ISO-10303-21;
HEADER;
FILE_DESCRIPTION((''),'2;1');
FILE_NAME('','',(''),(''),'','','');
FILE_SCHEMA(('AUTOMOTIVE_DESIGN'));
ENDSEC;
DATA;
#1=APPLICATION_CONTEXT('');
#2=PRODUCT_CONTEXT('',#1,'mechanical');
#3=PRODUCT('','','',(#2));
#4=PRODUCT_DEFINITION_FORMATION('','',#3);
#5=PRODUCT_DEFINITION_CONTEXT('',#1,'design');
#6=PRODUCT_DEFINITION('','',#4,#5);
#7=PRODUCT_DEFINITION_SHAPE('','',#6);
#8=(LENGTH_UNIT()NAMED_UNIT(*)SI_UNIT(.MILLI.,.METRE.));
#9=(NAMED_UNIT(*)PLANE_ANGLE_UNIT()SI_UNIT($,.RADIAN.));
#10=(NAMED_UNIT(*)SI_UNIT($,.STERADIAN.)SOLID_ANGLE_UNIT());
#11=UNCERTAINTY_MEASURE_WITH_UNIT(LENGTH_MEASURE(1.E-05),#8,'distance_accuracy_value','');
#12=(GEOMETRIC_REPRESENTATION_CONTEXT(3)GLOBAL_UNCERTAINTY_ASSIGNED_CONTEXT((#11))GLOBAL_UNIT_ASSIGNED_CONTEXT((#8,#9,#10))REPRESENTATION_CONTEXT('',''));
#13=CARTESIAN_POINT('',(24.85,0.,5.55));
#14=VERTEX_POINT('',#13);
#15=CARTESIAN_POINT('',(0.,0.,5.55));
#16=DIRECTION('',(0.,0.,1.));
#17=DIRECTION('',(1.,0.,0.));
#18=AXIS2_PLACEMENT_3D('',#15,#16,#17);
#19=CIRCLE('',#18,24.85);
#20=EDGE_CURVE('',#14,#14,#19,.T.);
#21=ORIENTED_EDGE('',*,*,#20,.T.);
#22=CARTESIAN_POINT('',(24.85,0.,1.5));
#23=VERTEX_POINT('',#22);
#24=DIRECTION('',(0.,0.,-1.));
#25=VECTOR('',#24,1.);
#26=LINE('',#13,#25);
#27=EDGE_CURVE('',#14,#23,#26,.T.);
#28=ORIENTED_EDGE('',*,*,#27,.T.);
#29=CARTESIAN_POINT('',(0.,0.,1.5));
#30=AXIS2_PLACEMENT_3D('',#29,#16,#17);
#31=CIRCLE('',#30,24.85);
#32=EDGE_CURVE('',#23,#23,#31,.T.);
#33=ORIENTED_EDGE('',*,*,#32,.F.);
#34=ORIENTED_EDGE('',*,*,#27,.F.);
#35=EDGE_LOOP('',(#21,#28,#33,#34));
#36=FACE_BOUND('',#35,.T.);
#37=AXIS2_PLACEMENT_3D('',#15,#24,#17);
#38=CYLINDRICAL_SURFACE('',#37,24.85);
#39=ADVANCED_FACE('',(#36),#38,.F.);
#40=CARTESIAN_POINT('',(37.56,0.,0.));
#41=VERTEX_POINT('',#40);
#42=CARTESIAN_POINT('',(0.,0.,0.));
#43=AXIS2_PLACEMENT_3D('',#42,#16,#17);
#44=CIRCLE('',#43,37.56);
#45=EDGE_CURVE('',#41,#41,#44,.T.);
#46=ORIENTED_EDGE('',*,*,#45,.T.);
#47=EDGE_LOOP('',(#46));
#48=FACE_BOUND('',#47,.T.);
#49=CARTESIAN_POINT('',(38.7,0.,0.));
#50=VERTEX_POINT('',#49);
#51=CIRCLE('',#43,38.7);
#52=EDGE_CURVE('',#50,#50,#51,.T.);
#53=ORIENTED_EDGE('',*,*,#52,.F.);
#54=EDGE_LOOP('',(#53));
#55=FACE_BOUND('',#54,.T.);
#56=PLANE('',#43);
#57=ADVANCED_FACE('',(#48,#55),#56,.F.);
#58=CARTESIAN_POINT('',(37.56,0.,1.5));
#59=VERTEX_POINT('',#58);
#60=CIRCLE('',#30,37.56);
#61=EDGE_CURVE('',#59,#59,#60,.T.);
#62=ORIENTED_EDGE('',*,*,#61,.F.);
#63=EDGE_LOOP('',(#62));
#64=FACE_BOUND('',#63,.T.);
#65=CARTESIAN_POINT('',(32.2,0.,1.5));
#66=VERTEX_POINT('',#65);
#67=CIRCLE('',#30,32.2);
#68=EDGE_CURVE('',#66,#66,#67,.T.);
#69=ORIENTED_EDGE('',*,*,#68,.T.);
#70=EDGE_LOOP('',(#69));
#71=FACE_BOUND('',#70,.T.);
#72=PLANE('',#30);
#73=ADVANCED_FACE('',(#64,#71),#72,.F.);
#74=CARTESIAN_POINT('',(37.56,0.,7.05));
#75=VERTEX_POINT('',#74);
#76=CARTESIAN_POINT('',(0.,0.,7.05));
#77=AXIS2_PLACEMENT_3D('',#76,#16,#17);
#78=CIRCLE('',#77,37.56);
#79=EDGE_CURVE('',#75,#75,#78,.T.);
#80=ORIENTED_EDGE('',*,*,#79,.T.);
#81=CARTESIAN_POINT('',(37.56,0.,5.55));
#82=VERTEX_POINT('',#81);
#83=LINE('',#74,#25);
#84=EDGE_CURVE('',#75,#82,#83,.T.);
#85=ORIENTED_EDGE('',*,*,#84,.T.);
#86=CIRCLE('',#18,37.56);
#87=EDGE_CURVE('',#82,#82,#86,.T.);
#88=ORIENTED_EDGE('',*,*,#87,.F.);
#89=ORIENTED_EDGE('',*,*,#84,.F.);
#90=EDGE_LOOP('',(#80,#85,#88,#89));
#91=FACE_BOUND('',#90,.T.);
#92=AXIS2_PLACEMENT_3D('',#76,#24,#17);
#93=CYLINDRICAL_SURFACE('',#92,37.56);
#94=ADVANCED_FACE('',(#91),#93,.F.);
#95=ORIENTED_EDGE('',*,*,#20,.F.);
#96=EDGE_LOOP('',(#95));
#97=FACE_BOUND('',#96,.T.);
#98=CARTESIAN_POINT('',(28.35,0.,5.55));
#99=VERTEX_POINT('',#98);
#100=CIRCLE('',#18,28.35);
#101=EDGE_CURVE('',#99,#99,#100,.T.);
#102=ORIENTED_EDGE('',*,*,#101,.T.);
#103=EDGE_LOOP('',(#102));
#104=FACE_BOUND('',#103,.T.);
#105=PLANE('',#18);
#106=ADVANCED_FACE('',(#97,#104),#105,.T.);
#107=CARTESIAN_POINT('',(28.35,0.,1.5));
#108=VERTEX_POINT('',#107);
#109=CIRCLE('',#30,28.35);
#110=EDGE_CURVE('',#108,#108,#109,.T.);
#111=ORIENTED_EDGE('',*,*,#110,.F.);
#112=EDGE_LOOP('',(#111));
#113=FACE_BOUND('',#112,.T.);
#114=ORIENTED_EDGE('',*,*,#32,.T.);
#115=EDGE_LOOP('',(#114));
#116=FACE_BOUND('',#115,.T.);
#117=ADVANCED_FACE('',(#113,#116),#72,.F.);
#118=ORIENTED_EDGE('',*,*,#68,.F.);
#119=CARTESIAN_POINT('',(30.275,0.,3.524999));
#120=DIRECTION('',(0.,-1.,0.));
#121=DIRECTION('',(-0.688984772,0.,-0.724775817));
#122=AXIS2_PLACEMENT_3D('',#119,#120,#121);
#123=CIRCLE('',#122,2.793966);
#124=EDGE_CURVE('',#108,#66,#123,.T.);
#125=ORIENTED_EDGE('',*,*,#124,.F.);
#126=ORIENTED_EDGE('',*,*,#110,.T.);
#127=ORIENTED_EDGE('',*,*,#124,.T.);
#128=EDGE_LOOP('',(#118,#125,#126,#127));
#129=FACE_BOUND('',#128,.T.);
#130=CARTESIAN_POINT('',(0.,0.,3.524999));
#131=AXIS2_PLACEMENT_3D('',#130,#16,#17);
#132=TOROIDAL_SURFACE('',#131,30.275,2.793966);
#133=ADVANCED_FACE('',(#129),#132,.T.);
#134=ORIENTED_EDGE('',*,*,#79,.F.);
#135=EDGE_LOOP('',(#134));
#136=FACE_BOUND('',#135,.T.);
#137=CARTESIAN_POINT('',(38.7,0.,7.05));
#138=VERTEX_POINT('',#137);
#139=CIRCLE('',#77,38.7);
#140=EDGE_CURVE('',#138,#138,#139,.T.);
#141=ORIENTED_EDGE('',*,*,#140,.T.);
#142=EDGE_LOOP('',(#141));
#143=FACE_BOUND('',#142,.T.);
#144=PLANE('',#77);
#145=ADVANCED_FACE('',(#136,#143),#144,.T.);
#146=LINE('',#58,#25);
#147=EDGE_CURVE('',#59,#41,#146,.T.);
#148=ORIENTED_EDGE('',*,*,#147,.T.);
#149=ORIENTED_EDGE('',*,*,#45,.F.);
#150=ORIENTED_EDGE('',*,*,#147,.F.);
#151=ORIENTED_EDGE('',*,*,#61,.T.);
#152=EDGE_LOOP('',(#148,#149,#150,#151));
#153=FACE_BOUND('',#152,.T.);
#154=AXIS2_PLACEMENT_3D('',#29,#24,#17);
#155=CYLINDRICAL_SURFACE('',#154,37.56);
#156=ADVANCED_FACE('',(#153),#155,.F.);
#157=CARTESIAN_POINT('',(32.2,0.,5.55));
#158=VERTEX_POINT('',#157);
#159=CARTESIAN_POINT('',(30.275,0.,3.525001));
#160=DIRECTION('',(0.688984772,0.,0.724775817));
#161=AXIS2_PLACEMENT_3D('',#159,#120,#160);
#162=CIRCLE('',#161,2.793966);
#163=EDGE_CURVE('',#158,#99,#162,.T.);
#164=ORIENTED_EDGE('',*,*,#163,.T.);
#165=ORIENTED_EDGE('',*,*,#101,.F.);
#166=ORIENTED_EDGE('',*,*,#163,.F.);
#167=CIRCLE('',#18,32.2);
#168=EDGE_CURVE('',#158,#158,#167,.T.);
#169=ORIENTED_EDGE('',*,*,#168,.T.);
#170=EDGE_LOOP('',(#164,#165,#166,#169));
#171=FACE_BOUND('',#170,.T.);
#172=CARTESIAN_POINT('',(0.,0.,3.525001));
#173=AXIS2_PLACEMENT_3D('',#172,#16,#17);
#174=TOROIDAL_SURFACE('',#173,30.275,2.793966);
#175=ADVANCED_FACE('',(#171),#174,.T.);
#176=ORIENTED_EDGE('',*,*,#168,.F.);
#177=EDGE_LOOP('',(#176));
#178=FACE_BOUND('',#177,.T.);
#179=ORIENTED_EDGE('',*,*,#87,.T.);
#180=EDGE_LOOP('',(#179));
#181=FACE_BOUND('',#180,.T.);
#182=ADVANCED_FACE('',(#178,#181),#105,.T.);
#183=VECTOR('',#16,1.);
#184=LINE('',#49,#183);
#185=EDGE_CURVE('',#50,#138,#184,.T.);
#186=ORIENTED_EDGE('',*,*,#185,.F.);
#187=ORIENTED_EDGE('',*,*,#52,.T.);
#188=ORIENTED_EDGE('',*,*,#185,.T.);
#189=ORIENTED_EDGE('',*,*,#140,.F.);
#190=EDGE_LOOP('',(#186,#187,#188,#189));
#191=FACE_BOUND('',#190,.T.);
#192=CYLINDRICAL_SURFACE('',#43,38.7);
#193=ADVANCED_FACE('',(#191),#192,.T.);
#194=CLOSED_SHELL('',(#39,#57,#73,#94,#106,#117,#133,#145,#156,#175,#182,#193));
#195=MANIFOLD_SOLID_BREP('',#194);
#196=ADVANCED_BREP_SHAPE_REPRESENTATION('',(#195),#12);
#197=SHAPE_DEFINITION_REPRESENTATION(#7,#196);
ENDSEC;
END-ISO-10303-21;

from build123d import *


with BuildPart() as f1:
    # F0 (on Front) → F1 (revolve)
    with BuildSketch(Plane.XZ):
        with BuildLine():
            Line((24.85, 1.5), (28.35, 1.5))
            ThreePointArc((28.35, 1.5), (27.481033, 3.525), (28.35, 5.55))
            Line((28.35, 5.55), (24.85, 5.55))
            Line((24.85, 5.55), (24.85, 1.5))
        make_face()
        with BuildLine():
            Line((37.56, 0), (38.7, 0))
            Line((38.7, 0), (38.7, 7.05))
            Line((38.7, 7.05), (37.56, 7.05))
            Line((37.56, 7.05), (37.56, 5.55))
            Line((37.56, 5.55), (32.2, 5.55))
            ThreePointArc((32.2, 5.55), (32.842551, 4.626786), (33.068967, 3.525))
            ThreePointArc((33.068967, 3.525), (32.842551, 2.423214), (32.2, 1.5))
            Line((32.2, 1.5), (37.56, 1.5))
            Line((37.56, 1.5), (37.56, 0))
        make_face()
        with BuildLine():
            ThreePointArc((28.35, 1.5), (30.275, 0.731033), (32.2, 1.5))
            ThreePointArc((32.2, 1.5), (32.842551, 2.423214), (33.068967, 3.525))
            ThreePointArc((33.068967, 3.525), (32.842551, 4.626786), (32.2, 5.55))
            ThreePointArc((32.2, 5.55), (30.275, 6.318967), (28.35, 5.55))
            ThreePointArc((28.35, 5.55), (27.481033, 3.525), (28.35, 1.5))
        make_face()
    revolve(axis=Axis((0, 0, 3.525), (0, 0, 1)))


solid = f1.part
